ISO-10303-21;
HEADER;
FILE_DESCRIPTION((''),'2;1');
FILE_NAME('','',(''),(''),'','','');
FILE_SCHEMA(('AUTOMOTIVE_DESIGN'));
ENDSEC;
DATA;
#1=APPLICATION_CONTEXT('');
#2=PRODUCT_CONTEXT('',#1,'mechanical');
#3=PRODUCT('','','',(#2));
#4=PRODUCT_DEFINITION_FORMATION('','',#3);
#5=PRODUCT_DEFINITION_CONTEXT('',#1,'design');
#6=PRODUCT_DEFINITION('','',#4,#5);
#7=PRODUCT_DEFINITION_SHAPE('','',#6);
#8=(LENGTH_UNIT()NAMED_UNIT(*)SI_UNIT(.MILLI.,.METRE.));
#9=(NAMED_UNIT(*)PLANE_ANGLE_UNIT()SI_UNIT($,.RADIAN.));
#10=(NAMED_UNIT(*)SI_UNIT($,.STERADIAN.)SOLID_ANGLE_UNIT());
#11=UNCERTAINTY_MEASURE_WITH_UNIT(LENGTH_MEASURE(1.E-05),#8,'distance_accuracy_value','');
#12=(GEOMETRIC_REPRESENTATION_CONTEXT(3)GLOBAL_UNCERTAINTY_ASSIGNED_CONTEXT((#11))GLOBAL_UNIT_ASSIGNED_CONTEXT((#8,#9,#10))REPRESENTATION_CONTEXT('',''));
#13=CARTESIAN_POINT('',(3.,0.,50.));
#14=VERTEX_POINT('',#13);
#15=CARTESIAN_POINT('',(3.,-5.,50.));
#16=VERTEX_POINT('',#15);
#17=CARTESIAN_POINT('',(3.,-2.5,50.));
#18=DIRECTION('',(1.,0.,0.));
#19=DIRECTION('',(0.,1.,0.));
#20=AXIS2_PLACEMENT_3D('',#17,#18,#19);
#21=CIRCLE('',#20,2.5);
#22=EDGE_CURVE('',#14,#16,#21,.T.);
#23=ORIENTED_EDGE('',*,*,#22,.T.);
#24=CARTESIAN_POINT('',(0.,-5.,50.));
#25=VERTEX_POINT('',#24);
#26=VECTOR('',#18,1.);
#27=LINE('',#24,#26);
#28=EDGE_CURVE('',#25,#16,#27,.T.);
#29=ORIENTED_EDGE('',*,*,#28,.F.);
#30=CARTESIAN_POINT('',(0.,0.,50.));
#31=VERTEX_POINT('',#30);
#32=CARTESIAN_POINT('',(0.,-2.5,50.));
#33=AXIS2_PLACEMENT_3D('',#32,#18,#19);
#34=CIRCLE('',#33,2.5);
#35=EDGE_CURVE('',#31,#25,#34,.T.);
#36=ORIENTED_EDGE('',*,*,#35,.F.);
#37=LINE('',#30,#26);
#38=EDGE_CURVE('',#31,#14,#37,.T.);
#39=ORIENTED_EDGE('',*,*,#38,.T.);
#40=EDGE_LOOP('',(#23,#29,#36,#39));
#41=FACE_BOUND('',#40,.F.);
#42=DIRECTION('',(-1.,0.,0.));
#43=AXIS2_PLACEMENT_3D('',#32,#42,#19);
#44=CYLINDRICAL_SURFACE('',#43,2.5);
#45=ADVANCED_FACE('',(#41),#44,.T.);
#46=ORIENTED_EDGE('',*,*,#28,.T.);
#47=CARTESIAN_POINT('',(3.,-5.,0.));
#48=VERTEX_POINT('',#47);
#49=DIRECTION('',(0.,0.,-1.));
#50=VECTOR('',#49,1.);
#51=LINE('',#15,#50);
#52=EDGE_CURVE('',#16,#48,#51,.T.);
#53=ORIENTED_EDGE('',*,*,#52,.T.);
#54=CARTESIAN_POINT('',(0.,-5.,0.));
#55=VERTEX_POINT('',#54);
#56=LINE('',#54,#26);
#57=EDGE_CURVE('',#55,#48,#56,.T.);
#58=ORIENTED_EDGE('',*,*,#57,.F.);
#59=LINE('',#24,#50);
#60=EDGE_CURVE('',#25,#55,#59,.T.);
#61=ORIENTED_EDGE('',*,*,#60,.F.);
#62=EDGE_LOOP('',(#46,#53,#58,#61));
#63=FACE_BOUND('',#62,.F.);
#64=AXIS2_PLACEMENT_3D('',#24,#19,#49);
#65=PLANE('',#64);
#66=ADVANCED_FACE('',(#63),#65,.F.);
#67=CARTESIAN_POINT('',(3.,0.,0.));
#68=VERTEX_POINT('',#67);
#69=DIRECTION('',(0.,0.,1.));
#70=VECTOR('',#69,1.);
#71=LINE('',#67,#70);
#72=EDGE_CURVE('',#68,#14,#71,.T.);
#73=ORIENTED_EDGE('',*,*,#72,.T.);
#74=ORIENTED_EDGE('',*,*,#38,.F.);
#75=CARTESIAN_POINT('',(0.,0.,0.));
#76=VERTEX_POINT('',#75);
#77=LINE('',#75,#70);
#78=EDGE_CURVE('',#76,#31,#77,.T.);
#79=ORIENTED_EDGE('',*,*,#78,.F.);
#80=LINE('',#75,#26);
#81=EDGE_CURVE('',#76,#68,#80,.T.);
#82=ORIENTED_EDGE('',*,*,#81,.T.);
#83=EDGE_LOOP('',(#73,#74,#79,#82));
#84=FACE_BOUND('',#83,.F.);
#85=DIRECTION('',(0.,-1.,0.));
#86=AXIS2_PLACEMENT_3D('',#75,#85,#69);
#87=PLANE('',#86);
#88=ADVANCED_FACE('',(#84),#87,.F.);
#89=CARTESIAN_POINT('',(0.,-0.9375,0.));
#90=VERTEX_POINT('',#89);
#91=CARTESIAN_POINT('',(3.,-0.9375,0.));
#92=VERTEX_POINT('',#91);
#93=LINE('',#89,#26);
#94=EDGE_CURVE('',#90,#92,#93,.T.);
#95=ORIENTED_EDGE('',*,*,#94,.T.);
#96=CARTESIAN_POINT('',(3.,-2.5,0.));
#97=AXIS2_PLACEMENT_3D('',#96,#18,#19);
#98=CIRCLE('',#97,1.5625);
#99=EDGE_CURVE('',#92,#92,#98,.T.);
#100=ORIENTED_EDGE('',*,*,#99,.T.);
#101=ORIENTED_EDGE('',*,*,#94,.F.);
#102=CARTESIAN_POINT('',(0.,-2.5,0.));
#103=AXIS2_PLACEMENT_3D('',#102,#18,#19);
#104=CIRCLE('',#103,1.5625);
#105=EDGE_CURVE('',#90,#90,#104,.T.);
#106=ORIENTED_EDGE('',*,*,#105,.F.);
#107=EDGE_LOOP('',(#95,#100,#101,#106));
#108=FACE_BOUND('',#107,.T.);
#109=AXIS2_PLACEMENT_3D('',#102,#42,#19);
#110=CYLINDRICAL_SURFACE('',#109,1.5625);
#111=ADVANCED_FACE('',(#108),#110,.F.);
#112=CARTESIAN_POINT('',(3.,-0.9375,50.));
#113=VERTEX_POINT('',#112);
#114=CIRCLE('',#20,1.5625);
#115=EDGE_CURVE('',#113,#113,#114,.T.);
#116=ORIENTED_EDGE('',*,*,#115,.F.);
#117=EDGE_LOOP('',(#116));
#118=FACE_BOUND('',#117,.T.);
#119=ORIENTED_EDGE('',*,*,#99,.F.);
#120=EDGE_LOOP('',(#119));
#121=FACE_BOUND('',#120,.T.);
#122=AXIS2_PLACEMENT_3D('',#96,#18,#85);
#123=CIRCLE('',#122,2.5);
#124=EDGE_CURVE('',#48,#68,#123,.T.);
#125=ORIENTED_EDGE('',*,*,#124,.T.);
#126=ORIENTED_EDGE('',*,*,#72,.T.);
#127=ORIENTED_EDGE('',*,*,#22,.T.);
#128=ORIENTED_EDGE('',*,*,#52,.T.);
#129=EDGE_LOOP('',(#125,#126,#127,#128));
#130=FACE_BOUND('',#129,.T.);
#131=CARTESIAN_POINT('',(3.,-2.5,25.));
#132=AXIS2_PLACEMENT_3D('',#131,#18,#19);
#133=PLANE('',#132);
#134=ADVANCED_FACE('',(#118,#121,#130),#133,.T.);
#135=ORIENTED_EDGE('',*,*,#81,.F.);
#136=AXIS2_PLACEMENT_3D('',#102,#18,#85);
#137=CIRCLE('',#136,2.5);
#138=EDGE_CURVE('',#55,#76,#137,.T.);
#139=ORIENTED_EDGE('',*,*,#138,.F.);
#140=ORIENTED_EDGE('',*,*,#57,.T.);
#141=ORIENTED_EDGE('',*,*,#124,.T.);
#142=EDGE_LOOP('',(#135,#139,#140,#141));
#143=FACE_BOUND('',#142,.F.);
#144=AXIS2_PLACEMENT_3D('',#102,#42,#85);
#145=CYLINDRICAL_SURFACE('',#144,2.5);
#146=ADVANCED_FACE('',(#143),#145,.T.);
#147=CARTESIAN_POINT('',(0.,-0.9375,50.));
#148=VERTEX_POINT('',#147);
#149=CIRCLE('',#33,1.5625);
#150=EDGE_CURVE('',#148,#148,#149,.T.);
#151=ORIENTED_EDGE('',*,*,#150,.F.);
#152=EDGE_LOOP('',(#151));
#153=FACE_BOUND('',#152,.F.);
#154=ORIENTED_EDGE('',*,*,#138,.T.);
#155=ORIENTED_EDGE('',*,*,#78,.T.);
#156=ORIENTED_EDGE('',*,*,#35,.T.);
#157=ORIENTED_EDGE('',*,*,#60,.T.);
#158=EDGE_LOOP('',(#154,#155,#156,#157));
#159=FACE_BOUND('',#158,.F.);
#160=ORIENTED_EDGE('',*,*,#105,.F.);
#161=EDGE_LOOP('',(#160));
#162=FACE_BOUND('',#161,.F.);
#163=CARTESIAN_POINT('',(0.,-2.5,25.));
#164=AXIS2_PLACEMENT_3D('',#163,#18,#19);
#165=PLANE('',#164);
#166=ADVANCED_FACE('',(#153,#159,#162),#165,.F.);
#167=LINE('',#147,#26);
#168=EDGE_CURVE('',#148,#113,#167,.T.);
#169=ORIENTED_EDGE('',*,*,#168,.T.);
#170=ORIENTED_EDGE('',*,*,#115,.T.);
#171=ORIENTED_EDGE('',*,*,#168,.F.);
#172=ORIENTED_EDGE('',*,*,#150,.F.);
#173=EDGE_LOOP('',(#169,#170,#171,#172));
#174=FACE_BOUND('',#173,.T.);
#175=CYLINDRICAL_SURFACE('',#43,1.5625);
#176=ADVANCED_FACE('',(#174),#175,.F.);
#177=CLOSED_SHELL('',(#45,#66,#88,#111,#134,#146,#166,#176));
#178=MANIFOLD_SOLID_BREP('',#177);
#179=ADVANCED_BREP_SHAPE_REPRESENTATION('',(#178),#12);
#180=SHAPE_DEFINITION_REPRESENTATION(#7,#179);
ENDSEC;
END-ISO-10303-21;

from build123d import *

# Parameters (mm, degrees)
F0_R     = 1.5625
F1_DEPTH = 3


with BuildPart() as f1:
    # F0 (on Right) → F1 (new body)
    with BuildSketch(Plane.YZ):
        with BuildLine():
            ThreePointArc((-5, 0), (-2.5, -2.5), (0, 0))
            Line((0, 0), (0, 50))
            ThreePointArc((0, 50), (-2.5, 52.5), (-5, 50))
            Line((-5, 50), (-5, 0))
        make_face()
        with Locations((-2.5, 0)):
            Circle(F0_R, mode=Mode.SUBTRACT)
        with Locations((-2.5, 50)):
            Circle(F0_R, mode=Mode.SUBTRACT)
    extrude(amount=F1_DEPTH)


solid = f1.part
